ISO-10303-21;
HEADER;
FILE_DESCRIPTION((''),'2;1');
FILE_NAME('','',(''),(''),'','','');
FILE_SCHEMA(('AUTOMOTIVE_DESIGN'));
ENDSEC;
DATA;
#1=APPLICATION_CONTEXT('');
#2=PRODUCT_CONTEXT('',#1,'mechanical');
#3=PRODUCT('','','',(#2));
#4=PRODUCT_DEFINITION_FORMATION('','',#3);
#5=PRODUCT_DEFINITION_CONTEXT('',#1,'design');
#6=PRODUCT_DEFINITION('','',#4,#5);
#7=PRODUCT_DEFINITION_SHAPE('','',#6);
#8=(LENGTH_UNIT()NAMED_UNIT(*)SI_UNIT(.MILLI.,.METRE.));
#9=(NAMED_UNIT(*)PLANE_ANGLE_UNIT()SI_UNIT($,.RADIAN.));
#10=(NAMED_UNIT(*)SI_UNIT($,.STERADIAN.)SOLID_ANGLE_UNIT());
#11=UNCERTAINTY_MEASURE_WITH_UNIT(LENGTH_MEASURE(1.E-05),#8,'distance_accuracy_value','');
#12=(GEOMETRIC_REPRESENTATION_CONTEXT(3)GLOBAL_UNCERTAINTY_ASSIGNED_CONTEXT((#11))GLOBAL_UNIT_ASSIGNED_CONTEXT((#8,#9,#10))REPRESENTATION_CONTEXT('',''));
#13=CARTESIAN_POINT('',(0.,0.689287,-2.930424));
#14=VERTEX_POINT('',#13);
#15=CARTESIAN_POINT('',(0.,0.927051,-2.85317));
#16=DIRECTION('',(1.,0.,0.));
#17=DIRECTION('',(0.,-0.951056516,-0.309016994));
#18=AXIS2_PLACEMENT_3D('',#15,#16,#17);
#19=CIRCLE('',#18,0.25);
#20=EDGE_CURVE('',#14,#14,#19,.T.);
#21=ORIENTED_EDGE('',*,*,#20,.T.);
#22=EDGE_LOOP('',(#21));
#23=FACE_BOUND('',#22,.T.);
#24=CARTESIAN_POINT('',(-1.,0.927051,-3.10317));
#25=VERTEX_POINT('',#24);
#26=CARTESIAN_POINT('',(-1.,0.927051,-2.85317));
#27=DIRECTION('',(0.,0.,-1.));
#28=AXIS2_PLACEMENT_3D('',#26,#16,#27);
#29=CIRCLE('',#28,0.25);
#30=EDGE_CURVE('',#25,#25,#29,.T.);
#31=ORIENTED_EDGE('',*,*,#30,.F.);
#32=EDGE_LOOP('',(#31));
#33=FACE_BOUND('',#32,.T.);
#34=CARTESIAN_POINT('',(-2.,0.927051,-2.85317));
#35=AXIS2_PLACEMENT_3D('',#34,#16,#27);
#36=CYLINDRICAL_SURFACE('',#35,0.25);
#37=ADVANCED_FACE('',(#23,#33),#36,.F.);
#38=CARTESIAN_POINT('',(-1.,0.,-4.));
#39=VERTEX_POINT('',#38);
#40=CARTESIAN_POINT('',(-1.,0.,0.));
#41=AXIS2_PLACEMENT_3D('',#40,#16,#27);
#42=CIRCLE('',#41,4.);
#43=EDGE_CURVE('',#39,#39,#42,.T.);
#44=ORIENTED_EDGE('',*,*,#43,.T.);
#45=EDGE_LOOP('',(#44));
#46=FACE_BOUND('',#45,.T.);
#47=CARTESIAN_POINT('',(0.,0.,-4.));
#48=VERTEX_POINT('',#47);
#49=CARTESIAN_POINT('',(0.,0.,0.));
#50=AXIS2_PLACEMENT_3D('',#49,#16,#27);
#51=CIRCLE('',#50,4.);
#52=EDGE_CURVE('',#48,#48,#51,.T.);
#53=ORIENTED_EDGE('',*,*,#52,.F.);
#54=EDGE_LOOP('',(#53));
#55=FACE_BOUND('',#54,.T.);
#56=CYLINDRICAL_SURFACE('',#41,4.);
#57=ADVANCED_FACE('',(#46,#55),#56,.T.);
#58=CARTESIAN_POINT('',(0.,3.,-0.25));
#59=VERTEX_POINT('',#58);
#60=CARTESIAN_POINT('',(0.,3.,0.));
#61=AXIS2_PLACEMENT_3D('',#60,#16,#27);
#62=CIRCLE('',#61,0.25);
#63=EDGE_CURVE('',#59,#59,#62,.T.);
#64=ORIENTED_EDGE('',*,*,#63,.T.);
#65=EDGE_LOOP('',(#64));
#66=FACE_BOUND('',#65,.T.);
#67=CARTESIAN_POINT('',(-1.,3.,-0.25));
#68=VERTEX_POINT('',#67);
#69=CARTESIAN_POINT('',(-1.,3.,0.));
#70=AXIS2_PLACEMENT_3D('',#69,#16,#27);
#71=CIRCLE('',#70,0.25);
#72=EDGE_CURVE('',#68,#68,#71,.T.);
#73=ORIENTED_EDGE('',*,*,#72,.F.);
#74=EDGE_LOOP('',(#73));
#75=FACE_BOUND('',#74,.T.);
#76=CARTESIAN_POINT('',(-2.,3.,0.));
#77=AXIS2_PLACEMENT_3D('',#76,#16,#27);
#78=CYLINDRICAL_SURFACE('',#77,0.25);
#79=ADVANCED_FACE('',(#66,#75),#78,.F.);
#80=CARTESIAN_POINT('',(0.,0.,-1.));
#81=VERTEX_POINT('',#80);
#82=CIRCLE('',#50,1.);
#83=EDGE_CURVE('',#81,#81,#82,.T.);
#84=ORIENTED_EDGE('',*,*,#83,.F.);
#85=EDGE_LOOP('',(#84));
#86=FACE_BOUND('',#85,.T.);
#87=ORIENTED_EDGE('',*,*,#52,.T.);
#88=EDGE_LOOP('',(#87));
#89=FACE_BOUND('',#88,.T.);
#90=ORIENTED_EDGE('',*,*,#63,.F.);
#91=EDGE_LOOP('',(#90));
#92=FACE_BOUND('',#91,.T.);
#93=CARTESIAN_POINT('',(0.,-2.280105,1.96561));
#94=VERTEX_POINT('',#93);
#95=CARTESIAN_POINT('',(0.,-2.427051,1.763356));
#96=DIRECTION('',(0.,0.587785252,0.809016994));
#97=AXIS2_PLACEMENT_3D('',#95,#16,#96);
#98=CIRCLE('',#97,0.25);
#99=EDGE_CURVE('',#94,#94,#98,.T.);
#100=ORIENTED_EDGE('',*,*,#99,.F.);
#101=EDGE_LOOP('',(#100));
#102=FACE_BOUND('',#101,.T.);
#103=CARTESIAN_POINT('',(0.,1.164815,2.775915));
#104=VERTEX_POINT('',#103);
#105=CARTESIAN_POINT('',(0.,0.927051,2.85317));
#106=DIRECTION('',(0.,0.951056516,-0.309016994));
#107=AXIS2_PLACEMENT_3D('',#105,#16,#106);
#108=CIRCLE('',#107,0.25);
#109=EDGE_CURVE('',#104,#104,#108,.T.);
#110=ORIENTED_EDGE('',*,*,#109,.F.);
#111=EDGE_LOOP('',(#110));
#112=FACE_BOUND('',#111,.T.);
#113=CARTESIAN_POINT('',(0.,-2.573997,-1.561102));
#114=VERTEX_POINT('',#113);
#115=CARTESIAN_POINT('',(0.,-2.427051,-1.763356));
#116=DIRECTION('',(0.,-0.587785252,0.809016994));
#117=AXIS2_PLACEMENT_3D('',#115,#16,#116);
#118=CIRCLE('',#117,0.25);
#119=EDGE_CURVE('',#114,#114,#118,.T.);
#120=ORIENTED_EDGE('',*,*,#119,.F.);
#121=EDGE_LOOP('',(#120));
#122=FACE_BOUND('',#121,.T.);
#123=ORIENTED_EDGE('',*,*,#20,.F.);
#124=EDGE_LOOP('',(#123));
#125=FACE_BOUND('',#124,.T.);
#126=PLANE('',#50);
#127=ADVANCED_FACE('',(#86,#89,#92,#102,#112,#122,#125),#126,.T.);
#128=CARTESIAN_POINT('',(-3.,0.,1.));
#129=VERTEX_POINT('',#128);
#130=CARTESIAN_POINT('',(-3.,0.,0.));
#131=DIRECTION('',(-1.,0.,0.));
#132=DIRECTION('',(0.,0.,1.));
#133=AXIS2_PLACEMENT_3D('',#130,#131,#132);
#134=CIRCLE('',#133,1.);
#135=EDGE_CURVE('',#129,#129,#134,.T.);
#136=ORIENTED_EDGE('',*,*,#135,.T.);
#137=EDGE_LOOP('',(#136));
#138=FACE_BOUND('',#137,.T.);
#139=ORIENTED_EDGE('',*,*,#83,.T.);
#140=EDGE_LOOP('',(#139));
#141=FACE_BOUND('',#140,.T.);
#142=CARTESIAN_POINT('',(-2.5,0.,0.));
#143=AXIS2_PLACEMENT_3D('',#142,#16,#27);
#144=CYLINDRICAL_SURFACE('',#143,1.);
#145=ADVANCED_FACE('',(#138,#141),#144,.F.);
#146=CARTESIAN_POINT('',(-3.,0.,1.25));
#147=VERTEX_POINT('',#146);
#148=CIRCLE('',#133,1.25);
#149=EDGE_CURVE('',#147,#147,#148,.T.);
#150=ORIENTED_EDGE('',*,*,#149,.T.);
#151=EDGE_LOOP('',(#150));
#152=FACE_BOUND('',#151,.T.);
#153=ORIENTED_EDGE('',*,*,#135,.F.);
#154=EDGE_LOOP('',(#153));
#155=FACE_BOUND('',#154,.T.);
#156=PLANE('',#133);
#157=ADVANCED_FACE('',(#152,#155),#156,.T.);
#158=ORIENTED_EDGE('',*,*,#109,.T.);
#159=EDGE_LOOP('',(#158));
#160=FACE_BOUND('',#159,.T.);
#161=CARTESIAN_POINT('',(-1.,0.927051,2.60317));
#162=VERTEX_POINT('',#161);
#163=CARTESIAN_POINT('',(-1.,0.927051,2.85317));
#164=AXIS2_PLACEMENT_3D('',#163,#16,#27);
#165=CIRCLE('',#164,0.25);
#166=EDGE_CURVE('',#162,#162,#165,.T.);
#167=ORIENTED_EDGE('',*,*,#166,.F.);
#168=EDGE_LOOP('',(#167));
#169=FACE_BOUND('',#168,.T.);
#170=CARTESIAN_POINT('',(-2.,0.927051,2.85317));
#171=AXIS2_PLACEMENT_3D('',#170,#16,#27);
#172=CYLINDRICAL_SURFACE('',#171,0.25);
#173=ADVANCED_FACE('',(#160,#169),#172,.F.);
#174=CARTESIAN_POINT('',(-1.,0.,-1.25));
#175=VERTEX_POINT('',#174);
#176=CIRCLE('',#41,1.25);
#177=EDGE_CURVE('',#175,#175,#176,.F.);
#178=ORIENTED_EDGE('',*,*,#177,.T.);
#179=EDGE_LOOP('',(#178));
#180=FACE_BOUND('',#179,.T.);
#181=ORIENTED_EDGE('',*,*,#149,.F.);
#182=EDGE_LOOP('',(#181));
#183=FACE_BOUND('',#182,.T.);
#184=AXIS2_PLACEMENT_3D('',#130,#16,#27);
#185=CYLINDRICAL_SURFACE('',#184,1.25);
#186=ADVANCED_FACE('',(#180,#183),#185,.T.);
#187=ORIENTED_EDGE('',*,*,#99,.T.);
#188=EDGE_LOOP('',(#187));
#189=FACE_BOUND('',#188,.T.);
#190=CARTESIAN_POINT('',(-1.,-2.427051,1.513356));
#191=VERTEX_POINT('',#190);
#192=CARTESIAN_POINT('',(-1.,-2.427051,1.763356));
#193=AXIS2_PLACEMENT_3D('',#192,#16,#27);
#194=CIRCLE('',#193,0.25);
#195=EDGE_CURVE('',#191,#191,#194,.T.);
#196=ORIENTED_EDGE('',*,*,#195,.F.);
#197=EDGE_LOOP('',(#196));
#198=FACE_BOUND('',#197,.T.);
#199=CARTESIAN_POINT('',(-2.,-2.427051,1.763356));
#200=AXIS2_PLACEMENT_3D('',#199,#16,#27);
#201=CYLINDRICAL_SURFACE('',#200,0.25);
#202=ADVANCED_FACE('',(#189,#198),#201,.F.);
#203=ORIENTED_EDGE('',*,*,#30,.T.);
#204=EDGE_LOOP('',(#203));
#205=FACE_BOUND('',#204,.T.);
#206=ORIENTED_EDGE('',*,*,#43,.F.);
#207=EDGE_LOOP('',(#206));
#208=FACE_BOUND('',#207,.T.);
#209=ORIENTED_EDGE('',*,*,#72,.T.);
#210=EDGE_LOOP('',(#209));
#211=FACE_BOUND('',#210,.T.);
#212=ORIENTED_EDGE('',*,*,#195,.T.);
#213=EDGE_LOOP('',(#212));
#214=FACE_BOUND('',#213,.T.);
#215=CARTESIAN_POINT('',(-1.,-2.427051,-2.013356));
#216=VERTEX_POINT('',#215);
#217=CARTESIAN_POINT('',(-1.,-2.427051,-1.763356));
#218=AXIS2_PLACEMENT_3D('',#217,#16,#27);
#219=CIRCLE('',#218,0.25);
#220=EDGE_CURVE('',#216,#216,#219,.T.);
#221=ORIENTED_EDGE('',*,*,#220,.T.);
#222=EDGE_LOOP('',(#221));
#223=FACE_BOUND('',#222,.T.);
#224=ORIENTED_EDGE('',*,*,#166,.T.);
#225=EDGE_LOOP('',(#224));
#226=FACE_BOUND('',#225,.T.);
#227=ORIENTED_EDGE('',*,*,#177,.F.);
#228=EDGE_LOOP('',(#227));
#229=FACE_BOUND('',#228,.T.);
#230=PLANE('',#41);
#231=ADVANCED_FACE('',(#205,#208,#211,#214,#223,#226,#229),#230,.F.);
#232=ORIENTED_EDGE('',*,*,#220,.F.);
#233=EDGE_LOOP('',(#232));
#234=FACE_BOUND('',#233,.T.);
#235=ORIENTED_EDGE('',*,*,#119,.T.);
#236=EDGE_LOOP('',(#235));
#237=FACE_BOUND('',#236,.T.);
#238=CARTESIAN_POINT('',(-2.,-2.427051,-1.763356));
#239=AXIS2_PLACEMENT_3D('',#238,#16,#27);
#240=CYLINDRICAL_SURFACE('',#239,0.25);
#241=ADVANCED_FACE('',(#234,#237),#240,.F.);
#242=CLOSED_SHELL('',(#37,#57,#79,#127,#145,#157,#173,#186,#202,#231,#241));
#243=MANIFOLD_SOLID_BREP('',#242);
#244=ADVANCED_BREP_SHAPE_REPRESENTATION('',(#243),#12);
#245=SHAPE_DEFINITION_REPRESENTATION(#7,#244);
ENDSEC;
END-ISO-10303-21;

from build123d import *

# Parameters (mm, degrees)
SKETCH2_R           = 4
BOSS_EXTRUDE1_DEPTH = 1
SKETCH4_R           = 1
CUT_EXTRUDE1_DEPTH  = 2.5
SKETCH6_R           = 1.25
SKETCH6_R_2         = 1
BOSS_EXTRUDE4_DEPTH = 2
SKETCH5_R           = 0.25
CUT_EXTRUDE2_DEPTH  = 2
CIRPATTERN1_COUNT   = 5


with BuildPart() as part:
    # Sketch2 → Boss-Extrude1 (new body)
    with BuildSketch(Plane(origin=(0, 0, 0), x_dir=(0, 0, -1), z_dir=(1, 0, 0))):
        Circle(SKETCH2_R)
    extrude(amount=-BOSS_EXTRUDE1_DEPTH)

    # Sketch4 → Cut-Extrude1 (cut)
    with BuildSketch(Plane(origin=(0, 0, 0), x_dir=(0, 0, -1), z_dir=(1, 0, 0))):
        Circle(SKETCH4_R)
    extrude(amount=-CUT_EXTRUDE1_DEPTH, mode=Mode.SUBTRACT)

    # Sketch6 → Boss-Extrude4 (add)
    with BuildSketch(Plane.ZY.offset(1)):
        with Locations(Location((0, 0, 0), (0, 0, 180))):
            Circle(SKETCH6_R)
        with Locations(Location((0, 0, 0), (0, 0, 180))):
            Circle(SKETCH6_R_2, mode=Mode.SUBTRACT)
    extrude(amount=BOSS_EXTRUDE4_DEPTH)

    # Sketch5 → Cut-Extrude2 (cut)
    with BuildSketch(Plane(origin=(0, 0, 0), x_dir=(0, 0, -1), z_dir=(1, 0, 0))):
        with Locations((0, 3)):
            Circle(SKETCH5_R)
    cut_extrude2 = extrude(amount=-CUT_EXTRUDE2_DEPTH, mode=Mode.SUBTRACT)

    # CirPattern1: Cut-Extrude2 ×5 about axis
    cirpattern1_axis = Axis((0, 0, 0), (1, 0, 0))
    for i in range(1, CIRPATTERN1_COUNT):
        add(cut_extrude2.rotate(cirpattern1_axis, i * 360 / CIRPATTERN1_COUNT), mode=Mode.SUBTRACT)


solid = part.part
